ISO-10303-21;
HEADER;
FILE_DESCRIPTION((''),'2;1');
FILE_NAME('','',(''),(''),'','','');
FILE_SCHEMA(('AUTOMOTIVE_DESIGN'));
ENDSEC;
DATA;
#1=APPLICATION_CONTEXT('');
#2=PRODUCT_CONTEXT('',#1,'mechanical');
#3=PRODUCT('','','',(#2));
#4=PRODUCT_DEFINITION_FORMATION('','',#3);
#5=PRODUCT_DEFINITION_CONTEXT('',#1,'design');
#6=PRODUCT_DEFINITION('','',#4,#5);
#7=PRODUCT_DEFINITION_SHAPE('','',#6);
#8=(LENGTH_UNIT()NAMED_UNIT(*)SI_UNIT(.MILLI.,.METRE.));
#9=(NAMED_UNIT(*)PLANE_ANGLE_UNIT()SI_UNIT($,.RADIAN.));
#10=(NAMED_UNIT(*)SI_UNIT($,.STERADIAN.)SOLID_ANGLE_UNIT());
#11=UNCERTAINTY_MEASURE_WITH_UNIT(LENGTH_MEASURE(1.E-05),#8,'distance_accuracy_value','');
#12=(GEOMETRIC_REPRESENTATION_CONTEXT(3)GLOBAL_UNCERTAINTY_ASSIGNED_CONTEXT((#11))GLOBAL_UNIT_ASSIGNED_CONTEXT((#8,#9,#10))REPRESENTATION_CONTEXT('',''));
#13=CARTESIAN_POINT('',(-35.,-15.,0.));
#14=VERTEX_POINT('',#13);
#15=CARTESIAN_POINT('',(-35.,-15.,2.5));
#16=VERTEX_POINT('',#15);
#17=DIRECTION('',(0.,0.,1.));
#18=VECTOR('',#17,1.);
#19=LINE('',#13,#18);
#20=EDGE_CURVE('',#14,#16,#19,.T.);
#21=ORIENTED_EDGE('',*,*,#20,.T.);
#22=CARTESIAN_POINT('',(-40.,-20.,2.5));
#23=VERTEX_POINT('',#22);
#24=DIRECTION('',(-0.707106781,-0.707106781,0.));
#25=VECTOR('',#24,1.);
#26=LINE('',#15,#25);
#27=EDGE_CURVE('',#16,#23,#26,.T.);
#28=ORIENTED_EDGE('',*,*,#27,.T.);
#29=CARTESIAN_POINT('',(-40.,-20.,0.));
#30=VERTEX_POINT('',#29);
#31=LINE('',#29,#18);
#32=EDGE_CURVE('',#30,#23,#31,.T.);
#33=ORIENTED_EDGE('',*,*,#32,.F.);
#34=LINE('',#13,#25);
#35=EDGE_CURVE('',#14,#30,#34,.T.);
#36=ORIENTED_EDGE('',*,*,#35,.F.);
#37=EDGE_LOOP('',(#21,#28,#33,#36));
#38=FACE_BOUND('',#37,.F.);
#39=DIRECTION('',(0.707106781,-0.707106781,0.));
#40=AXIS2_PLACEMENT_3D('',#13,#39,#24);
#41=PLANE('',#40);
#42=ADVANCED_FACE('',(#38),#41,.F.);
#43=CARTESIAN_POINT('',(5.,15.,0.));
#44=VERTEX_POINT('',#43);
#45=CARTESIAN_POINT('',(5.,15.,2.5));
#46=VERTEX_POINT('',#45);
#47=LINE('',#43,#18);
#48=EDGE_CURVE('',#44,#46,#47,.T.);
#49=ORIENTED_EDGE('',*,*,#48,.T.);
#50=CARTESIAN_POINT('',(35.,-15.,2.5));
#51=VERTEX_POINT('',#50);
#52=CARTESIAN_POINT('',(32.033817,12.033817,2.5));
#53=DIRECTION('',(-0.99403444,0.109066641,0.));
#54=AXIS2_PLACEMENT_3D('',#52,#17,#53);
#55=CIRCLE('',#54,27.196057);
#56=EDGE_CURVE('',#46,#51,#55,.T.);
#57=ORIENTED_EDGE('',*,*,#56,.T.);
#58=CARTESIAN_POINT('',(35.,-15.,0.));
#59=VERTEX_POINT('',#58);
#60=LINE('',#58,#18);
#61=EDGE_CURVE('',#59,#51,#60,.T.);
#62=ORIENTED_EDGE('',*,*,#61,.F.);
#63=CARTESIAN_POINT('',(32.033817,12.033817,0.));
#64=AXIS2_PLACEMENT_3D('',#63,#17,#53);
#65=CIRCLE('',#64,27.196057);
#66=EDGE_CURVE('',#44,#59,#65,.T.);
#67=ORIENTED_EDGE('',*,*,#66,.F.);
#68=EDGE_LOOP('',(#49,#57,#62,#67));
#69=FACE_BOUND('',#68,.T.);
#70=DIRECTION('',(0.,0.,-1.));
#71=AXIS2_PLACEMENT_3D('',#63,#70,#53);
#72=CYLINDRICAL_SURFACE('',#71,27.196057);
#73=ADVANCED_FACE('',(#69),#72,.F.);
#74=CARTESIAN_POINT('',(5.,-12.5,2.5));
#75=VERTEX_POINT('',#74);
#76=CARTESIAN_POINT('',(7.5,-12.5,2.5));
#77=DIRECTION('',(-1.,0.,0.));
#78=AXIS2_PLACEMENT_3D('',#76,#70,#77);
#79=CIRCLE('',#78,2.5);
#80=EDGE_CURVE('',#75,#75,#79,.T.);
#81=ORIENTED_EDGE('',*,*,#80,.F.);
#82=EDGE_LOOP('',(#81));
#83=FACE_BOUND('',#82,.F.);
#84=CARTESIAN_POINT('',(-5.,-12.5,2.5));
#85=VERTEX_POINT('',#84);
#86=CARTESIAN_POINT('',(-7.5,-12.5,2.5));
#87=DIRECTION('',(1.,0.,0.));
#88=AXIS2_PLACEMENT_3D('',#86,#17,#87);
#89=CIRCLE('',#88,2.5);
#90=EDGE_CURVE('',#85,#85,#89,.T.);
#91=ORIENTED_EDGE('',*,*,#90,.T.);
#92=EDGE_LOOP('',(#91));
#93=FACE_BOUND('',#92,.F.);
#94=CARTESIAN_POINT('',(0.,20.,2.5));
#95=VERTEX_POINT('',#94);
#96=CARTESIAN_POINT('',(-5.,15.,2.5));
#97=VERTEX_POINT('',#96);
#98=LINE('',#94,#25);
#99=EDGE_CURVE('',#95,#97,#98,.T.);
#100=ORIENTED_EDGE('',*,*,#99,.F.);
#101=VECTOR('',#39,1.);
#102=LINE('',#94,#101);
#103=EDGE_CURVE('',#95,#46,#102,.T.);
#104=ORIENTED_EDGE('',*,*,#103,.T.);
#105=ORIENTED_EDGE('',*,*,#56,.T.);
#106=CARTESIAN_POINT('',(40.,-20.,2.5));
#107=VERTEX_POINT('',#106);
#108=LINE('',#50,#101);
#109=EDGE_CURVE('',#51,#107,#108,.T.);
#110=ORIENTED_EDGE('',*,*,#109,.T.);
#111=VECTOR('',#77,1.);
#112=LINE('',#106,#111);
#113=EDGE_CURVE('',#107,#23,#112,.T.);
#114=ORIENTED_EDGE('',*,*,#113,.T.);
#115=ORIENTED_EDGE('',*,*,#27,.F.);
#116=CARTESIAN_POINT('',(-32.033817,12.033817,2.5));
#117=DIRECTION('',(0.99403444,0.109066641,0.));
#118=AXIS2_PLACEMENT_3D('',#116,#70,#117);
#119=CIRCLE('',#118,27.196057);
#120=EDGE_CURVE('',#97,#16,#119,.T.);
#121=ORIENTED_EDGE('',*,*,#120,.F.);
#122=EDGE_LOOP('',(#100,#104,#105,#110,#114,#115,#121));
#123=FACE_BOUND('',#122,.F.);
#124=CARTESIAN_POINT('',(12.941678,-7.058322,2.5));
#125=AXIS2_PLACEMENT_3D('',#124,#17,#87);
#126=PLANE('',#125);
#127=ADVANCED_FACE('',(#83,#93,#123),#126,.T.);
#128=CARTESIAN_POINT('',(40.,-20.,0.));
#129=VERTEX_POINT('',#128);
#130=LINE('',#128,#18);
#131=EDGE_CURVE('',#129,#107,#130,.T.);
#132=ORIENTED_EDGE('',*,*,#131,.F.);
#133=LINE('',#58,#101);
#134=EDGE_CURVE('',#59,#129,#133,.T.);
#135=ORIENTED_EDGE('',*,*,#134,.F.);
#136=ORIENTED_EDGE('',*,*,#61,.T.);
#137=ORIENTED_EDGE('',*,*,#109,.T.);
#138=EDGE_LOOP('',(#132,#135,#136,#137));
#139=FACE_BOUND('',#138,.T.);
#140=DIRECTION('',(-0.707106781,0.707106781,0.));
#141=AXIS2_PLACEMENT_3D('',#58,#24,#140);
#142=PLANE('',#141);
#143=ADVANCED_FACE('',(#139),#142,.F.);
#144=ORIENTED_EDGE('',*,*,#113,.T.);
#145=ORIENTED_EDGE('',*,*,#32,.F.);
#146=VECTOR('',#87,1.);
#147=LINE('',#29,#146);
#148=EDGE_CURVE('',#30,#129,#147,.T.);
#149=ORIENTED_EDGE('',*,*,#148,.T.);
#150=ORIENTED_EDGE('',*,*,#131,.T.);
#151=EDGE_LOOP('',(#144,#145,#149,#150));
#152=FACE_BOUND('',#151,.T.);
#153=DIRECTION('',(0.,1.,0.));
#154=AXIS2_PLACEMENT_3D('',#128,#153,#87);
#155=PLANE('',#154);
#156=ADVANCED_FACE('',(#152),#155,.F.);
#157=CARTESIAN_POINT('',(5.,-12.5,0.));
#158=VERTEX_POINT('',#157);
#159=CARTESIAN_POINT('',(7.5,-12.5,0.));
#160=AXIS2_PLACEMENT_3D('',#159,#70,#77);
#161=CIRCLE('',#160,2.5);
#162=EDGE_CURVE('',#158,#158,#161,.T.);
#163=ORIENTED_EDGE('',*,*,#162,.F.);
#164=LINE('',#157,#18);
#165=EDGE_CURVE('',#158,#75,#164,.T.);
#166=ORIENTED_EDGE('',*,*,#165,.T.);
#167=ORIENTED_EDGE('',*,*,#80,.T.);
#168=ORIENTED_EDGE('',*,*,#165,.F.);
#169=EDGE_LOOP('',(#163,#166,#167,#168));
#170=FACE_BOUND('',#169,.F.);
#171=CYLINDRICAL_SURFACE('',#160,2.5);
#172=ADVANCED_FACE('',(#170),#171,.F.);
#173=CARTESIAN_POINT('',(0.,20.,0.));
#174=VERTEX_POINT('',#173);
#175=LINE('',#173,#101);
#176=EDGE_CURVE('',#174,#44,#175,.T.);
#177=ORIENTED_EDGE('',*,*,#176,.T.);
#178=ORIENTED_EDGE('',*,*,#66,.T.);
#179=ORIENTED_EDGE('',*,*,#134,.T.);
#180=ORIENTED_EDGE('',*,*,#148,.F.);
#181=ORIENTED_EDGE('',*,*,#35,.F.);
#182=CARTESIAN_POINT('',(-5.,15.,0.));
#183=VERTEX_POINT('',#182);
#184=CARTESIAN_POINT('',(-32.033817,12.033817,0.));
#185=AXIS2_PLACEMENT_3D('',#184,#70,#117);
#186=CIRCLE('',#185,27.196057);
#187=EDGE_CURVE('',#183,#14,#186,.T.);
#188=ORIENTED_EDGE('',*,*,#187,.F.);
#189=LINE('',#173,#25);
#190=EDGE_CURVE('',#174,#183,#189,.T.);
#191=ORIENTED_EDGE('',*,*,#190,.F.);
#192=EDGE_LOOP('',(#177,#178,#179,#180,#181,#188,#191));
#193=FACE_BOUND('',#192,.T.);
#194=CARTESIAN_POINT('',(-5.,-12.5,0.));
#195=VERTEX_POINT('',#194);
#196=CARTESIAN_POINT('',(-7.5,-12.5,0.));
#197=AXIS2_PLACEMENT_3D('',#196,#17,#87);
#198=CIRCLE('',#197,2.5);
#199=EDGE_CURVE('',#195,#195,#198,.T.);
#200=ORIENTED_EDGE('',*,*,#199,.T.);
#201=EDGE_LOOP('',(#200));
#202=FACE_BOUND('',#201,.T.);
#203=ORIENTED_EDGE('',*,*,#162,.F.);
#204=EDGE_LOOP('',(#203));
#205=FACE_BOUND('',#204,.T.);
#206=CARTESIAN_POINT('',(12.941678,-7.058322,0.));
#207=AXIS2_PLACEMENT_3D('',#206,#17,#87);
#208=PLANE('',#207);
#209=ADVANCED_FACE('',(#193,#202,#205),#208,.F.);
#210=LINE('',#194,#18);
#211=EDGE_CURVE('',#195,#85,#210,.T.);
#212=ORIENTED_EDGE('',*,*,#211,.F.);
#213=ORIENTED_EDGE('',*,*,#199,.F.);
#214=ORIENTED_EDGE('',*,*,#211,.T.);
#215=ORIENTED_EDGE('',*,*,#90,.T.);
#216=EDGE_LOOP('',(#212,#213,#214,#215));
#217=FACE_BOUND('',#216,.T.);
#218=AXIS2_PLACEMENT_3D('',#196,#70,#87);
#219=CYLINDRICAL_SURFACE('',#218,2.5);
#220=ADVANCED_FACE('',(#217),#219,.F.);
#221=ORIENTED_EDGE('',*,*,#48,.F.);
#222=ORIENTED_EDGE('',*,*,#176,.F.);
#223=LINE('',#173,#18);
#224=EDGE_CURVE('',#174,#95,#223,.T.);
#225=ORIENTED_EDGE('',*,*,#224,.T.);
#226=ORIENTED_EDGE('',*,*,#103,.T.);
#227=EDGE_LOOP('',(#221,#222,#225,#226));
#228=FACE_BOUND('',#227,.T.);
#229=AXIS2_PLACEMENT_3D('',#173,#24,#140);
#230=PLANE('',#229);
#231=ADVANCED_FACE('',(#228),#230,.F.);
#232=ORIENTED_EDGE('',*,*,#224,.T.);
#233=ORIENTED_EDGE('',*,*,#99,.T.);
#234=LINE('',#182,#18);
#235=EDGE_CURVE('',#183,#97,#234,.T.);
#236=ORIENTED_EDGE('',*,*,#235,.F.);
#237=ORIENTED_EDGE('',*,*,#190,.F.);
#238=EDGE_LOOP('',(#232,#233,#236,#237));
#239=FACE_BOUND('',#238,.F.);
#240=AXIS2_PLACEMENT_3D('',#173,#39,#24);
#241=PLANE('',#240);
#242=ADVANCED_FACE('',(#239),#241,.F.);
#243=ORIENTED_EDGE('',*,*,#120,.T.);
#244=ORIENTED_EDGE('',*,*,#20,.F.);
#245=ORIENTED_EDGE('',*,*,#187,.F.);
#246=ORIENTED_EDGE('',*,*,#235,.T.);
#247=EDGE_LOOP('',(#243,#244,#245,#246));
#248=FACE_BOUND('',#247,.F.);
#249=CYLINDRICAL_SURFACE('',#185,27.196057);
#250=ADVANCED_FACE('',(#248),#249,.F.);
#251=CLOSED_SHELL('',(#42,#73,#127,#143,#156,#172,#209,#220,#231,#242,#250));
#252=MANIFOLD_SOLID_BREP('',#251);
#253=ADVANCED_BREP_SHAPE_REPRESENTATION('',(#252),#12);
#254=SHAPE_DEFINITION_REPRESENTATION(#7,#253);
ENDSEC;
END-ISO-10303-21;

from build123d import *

# Parameters (mm, degrees)
F0_R     = 2.5
F1_DEPTH = 2.5


with BuildPart() as f1:
    # F0 (on Top) → F1 (new body)
    with BuildSketch(Plane.XY):
        with BuildLine():
            Line((0, -20), (0, 20))
            Line((0, 20), (-5, 15))
            ThreePointArc((-5, 15), (-12.803301, -7.196699), (-35, -15))
            Line((-35, -15), (-40, -20))
            Line((-40, -20), (0, -20))
        make_face()
        with Locations((-7.5, -12.5)):
            Circle(F0_R, mode=Mode.SUBTRACT)
    extrude(amount=F1_DEPTH)

    # F2: F1 across face


with BuildPart() as f1_1:
    add(f1.part)
    add(f1.part.mirror(Plane(origin=(0, 0, 1.25), x_dir=(0, 1, 0), z_dir=(1, 0, 0))))


solid = f1_1.part
